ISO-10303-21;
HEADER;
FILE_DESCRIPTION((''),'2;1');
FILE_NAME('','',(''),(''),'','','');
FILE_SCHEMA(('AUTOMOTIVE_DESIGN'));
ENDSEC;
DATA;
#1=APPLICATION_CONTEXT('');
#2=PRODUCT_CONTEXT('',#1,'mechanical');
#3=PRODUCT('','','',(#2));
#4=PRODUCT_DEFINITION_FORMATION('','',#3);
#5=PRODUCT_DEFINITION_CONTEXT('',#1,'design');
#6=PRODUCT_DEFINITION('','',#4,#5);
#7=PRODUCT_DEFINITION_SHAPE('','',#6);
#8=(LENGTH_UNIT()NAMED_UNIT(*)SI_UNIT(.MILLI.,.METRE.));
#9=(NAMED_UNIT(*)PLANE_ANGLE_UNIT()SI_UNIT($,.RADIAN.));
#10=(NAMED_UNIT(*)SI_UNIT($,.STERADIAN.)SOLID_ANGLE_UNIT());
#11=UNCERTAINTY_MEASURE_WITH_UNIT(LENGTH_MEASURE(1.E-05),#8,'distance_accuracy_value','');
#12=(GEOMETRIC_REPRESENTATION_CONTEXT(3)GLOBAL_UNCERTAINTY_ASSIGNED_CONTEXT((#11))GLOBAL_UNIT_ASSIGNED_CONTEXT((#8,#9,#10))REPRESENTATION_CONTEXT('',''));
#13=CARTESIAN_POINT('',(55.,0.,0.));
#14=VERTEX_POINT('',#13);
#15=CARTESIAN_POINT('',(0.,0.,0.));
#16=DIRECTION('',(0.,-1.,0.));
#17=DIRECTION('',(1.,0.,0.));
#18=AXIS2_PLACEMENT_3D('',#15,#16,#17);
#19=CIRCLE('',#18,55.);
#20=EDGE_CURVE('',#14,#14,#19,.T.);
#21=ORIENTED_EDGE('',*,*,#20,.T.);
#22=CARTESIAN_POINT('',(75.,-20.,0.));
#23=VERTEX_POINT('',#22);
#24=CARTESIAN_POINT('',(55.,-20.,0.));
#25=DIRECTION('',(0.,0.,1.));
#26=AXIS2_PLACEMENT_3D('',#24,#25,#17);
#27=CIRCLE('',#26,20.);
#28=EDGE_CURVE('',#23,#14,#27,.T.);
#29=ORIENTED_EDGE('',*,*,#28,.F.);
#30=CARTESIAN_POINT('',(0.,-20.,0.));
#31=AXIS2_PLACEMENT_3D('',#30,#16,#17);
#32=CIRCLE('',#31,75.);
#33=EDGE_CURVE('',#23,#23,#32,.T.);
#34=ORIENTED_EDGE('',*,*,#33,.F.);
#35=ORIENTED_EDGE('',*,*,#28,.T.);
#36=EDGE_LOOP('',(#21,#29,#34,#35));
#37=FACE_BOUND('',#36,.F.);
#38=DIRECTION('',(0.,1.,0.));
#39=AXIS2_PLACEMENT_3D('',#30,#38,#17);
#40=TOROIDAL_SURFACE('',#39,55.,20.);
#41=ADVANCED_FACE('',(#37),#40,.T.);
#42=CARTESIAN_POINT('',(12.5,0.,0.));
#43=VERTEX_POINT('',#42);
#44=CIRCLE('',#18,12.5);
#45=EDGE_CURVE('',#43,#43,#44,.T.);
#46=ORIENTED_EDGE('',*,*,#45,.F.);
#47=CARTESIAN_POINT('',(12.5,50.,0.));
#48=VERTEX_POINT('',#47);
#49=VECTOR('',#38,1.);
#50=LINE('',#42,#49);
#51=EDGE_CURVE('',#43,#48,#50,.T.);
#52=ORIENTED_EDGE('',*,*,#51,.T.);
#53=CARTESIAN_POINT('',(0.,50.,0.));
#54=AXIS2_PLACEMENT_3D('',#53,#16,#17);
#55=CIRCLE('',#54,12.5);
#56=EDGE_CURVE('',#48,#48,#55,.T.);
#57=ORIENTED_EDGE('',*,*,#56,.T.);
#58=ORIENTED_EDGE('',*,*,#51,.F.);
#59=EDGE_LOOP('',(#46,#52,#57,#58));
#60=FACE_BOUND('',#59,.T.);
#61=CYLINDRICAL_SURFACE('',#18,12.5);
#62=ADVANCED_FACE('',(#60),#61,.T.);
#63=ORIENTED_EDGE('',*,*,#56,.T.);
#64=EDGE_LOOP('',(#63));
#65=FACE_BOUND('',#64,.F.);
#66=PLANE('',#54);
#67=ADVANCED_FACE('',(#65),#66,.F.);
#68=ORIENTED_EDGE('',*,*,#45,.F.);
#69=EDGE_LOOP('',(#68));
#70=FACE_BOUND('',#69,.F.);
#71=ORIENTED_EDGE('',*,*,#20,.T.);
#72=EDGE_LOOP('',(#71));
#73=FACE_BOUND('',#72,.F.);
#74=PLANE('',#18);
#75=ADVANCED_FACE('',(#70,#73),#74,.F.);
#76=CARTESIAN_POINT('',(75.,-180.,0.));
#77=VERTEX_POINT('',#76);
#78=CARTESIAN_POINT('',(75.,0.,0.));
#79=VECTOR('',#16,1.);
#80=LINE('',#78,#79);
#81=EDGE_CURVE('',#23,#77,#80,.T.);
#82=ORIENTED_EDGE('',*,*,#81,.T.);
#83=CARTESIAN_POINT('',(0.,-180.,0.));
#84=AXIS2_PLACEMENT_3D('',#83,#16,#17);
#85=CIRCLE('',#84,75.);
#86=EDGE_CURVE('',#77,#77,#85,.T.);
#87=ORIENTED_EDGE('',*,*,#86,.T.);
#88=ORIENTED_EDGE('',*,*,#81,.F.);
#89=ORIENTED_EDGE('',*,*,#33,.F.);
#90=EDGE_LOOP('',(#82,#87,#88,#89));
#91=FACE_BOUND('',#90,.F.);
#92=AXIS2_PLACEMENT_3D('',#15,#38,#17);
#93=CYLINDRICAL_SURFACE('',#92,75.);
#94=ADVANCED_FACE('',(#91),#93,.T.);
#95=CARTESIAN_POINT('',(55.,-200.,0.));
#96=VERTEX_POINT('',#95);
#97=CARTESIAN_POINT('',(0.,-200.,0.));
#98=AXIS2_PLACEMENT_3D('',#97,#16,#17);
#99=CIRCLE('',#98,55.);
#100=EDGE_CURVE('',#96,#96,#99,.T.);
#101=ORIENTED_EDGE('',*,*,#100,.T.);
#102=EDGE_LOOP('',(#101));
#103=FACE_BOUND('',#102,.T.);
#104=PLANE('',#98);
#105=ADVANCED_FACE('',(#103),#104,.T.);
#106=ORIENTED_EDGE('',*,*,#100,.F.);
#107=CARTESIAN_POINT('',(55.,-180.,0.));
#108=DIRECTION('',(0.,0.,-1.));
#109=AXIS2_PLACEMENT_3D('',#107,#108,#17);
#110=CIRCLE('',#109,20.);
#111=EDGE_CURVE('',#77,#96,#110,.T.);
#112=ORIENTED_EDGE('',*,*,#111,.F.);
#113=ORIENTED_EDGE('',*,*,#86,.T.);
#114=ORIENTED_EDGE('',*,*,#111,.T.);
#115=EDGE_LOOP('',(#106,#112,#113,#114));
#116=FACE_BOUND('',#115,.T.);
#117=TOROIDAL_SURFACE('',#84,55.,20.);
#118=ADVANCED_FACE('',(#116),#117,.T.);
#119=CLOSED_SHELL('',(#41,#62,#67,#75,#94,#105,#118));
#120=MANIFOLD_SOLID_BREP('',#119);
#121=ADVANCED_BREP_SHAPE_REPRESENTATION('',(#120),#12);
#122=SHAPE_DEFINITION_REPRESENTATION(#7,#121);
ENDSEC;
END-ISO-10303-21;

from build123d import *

# Parameters (mm, degrees)
SKETCH_R     = 75
PAD_DEPTH    = 200
SKETCH001_R  = 12.5
PAD001_DEPTH = 50
FILLET_R     = 20
FILLET001_R  = 20


with BuildPart() as part:
    # Sketch → Pad (new body)
    with BuildSketch(Plane.XZ):
        Circle(SKETCH_R)
    extrude(amount=PAD_DEPTH)

    # Sketch001 → Pad001 (join)
    with BuildSketch(Plane.XZ):
        Circle(SKETCH001_R)
    extrude(amount=-PAD001_DEPTH)

    # Fillet
    fillet_edges = [part.edges().sort_by_distance(p)[0] for p in [
        (-75, 0, 0),
    ]]
    fillet(fillet_edges, radius=FILLET_R)

    # Fillet001
    fillet001_edges = [part.edges().sort_by_distance(p)[0] for p in [
        (-75, -200, 0),
    ]]
    fillet(fillet001_edges, radius=FILLET001_R)


solid = part.part
